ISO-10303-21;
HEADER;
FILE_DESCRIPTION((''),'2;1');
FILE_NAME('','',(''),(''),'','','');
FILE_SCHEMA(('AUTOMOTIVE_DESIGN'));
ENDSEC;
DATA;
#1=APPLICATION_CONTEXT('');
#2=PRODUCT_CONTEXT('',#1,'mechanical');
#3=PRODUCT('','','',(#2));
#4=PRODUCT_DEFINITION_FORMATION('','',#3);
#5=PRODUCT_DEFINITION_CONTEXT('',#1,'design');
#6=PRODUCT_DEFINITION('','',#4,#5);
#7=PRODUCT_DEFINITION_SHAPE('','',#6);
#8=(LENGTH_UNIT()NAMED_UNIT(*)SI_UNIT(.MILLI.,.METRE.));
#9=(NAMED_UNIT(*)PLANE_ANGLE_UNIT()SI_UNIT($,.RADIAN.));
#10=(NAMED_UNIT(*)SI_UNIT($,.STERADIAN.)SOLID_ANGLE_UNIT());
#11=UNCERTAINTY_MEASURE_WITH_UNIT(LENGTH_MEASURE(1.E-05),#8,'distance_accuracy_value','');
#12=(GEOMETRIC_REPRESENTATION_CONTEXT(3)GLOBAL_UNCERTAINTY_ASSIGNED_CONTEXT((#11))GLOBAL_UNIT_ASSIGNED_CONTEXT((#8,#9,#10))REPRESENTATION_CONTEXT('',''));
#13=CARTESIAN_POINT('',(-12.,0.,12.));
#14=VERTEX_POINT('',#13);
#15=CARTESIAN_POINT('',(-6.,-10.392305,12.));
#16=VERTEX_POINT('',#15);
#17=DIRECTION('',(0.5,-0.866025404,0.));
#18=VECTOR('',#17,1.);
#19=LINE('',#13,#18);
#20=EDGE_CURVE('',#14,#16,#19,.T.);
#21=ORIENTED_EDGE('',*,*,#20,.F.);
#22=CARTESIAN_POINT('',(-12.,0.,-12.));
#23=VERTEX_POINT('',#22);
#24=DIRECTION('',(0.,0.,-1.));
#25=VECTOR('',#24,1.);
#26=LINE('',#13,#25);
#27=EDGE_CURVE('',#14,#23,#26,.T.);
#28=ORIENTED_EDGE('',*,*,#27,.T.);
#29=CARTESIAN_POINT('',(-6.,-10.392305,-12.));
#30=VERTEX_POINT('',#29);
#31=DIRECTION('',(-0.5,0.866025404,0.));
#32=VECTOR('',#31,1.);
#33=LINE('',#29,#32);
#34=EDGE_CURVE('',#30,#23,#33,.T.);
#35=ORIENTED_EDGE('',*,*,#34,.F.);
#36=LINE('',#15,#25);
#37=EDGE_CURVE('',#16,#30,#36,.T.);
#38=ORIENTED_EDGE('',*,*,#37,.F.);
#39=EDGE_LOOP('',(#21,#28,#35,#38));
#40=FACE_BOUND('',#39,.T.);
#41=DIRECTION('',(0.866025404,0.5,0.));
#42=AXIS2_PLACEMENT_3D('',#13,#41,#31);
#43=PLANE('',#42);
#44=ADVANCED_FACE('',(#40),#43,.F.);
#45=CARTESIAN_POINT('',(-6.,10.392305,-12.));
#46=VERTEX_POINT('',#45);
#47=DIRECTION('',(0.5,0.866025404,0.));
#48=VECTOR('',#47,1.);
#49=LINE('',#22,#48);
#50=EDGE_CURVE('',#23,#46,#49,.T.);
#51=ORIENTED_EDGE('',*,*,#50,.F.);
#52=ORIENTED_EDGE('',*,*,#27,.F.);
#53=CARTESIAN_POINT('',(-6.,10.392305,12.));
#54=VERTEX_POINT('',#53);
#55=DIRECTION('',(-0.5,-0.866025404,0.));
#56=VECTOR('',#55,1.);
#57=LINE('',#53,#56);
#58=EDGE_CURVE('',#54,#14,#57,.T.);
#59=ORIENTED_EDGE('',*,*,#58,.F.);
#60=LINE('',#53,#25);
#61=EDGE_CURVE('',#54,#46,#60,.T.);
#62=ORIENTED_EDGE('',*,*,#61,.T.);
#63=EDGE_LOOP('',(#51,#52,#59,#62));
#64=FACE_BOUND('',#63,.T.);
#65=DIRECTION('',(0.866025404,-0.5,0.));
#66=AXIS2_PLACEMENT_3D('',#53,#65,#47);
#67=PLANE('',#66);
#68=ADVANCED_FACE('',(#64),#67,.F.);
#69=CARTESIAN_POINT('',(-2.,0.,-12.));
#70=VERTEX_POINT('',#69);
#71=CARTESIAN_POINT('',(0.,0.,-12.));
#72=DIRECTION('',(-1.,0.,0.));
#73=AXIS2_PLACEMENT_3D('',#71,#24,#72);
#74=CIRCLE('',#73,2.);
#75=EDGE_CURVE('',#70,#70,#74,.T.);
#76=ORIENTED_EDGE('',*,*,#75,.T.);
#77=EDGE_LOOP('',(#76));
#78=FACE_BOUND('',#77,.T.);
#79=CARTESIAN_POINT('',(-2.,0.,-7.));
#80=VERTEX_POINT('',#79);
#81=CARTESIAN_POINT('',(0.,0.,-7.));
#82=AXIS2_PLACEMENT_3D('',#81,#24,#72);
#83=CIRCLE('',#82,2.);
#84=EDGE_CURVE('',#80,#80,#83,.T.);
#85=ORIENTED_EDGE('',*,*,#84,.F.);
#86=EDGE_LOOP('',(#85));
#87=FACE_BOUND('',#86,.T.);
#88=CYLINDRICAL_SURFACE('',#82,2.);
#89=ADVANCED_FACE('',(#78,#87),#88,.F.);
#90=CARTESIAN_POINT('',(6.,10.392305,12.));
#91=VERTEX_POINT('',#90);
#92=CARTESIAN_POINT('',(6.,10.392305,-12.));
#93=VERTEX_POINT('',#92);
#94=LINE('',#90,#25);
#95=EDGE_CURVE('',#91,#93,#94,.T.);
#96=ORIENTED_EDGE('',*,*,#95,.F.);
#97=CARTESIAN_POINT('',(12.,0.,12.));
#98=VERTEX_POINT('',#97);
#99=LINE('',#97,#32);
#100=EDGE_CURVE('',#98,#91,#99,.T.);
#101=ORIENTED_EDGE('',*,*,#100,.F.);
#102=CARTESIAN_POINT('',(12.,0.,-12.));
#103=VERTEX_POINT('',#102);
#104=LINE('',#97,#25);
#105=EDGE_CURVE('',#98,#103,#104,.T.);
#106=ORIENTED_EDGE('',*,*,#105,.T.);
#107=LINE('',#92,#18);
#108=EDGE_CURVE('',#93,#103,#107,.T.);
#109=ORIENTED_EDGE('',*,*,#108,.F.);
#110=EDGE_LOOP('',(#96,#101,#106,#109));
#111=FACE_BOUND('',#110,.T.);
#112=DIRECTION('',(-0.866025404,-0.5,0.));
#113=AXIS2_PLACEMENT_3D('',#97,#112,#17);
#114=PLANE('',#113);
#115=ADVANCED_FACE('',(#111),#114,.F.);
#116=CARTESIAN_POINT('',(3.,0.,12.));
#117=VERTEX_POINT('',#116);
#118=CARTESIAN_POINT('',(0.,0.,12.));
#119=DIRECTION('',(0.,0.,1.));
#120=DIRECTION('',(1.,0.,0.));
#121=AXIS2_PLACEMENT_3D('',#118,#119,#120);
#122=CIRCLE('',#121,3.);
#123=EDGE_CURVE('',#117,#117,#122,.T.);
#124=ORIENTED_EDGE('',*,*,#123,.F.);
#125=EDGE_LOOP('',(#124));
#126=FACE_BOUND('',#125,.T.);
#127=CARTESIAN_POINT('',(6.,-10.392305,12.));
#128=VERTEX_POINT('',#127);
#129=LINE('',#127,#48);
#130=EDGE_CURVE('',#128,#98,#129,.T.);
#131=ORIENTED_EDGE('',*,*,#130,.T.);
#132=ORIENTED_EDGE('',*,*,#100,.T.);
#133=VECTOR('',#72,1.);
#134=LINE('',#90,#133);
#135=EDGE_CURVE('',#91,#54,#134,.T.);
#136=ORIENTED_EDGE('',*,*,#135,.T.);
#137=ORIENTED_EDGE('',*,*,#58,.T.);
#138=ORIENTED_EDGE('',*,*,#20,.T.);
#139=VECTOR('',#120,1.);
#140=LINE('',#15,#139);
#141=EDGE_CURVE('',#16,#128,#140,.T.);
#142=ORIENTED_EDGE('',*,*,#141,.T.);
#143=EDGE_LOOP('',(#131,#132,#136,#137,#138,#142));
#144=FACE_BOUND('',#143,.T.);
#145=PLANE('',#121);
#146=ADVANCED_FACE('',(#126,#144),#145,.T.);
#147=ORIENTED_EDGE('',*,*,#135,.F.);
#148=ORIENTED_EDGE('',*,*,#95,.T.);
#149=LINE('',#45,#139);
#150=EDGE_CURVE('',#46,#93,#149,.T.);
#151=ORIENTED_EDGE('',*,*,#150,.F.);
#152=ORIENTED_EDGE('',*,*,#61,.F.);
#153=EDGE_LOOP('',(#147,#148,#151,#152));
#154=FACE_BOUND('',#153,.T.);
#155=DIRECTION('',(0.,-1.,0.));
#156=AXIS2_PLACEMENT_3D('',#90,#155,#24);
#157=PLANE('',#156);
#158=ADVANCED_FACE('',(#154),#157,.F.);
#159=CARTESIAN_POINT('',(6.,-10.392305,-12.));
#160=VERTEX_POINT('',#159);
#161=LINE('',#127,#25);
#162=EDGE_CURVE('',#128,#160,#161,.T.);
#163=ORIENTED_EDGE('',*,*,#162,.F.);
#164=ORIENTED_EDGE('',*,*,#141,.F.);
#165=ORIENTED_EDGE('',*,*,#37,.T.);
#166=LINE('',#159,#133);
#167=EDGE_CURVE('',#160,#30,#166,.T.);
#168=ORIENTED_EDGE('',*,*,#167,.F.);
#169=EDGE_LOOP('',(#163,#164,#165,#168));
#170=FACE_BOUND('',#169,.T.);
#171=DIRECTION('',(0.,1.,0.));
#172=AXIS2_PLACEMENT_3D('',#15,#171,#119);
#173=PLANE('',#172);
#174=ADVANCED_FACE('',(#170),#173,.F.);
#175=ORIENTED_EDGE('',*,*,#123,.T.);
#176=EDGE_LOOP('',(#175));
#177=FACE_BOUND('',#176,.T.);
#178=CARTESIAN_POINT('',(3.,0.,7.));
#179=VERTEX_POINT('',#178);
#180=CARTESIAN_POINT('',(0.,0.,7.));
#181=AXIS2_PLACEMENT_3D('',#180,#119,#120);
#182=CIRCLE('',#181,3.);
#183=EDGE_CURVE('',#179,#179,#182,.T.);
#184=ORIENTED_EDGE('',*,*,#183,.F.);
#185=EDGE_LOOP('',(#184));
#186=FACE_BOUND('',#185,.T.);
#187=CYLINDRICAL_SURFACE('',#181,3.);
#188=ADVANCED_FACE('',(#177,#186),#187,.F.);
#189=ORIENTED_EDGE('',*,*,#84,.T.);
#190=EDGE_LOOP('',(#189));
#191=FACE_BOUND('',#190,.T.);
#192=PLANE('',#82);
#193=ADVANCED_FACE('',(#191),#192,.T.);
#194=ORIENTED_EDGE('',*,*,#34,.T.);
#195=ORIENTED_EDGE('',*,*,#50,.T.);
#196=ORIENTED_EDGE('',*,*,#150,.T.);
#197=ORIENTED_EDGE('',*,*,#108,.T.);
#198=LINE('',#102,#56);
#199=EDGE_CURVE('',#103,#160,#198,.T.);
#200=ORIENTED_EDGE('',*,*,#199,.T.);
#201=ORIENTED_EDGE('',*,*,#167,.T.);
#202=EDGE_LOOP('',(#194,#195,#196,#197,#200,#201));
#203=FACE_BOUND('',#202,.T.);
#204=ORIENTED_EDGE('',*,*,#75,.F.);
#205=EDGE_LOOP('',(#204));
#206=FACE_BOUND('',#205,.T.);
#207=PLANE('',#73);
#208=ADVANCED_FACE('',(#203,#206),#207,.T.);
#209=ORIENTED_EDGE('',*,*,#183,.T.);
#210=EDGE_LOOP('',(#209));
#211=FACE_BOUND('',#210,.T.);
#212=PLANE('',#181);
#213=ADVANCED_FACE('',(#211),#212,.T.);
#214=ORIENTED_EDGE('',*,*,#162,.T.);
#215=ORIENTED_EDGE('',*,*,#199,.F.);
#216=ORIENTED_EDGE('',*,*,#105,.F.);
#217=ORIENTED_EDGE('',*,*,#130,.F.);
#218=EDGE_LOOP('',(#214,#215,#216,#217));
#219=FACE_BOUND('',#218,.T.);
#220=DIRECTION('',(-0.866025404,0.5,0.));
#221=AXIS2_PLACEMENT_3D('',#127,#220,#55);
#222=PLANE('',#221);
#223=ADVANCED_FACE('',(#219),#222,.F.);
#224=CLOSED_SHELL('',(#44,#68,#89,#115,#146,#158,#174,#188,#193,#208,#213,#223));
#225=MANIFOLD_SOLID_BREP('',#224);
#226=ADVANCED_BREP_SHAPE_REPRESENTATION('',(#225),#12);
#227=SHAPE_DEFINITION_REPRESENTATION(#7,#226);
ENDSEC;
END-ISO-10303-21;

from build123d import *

# Parameters (mm, degrees)
BOSS_EXTRUDE1_DEPTH = 12
SKETCH3_R           = 3
CUT_EXTRUDE1_DEPTH  = 5
BOSS_EXTRUDE2_DEPTH = 12
SKETCH5_R           = 2
CUT_EXTRUDE2_DEPTH  = 5


with BuildPart() as part:
    # Sketch1 → Boss-Extrude1 (new body)
    with BuildSketch(Plane.XY):
        Polygon((12, 0), (6, 10.392304845), (-6, 10.392304845), (-12, 0), (-6, -10.392304845), (6, -10.392304845), align=None)
    extrude(amount=BOSS_EXTRUDE1_DEPTH)

    # Sketch3 → Cut-Extrude1 (cut)
    with BuildSketch(Plane.XY.offset(12)):
        Circle(SKETCH3_R)
    extrude(amount=-CUT_EXTRUDE1_DEPTH, mode=Mode.SUBTRACT)

    # Sketch4 → Boss-Extrude2 (add)
    with BuildSketch(Plane(origin=(0, 0, 0), x_dir=(-1, 0, 0), z_dir=(0, 0, -1))):
        Polygon((12, 0), (6, 10.392304845), (-6, 10.392304845), (-12, 0), (-6, -10.392304845), (6, -10.392304845), align=None)
    extrude(amount=BOSS_EXTRUDE2_DEPTH)

    # Sketch5 → Cut-Extrude2 (cut)
    with BuildSketch(Plane(origin=(0, 0, -12), x_dir=(-1, 0, 0), z_dir=(0, 0, -1))):
        Circle(SKETCH5_R)
    extrude(amount=-CUT_EXTRUDE2_DEPTH, mode=Mode.SUBTRACT)


solid = part.part
